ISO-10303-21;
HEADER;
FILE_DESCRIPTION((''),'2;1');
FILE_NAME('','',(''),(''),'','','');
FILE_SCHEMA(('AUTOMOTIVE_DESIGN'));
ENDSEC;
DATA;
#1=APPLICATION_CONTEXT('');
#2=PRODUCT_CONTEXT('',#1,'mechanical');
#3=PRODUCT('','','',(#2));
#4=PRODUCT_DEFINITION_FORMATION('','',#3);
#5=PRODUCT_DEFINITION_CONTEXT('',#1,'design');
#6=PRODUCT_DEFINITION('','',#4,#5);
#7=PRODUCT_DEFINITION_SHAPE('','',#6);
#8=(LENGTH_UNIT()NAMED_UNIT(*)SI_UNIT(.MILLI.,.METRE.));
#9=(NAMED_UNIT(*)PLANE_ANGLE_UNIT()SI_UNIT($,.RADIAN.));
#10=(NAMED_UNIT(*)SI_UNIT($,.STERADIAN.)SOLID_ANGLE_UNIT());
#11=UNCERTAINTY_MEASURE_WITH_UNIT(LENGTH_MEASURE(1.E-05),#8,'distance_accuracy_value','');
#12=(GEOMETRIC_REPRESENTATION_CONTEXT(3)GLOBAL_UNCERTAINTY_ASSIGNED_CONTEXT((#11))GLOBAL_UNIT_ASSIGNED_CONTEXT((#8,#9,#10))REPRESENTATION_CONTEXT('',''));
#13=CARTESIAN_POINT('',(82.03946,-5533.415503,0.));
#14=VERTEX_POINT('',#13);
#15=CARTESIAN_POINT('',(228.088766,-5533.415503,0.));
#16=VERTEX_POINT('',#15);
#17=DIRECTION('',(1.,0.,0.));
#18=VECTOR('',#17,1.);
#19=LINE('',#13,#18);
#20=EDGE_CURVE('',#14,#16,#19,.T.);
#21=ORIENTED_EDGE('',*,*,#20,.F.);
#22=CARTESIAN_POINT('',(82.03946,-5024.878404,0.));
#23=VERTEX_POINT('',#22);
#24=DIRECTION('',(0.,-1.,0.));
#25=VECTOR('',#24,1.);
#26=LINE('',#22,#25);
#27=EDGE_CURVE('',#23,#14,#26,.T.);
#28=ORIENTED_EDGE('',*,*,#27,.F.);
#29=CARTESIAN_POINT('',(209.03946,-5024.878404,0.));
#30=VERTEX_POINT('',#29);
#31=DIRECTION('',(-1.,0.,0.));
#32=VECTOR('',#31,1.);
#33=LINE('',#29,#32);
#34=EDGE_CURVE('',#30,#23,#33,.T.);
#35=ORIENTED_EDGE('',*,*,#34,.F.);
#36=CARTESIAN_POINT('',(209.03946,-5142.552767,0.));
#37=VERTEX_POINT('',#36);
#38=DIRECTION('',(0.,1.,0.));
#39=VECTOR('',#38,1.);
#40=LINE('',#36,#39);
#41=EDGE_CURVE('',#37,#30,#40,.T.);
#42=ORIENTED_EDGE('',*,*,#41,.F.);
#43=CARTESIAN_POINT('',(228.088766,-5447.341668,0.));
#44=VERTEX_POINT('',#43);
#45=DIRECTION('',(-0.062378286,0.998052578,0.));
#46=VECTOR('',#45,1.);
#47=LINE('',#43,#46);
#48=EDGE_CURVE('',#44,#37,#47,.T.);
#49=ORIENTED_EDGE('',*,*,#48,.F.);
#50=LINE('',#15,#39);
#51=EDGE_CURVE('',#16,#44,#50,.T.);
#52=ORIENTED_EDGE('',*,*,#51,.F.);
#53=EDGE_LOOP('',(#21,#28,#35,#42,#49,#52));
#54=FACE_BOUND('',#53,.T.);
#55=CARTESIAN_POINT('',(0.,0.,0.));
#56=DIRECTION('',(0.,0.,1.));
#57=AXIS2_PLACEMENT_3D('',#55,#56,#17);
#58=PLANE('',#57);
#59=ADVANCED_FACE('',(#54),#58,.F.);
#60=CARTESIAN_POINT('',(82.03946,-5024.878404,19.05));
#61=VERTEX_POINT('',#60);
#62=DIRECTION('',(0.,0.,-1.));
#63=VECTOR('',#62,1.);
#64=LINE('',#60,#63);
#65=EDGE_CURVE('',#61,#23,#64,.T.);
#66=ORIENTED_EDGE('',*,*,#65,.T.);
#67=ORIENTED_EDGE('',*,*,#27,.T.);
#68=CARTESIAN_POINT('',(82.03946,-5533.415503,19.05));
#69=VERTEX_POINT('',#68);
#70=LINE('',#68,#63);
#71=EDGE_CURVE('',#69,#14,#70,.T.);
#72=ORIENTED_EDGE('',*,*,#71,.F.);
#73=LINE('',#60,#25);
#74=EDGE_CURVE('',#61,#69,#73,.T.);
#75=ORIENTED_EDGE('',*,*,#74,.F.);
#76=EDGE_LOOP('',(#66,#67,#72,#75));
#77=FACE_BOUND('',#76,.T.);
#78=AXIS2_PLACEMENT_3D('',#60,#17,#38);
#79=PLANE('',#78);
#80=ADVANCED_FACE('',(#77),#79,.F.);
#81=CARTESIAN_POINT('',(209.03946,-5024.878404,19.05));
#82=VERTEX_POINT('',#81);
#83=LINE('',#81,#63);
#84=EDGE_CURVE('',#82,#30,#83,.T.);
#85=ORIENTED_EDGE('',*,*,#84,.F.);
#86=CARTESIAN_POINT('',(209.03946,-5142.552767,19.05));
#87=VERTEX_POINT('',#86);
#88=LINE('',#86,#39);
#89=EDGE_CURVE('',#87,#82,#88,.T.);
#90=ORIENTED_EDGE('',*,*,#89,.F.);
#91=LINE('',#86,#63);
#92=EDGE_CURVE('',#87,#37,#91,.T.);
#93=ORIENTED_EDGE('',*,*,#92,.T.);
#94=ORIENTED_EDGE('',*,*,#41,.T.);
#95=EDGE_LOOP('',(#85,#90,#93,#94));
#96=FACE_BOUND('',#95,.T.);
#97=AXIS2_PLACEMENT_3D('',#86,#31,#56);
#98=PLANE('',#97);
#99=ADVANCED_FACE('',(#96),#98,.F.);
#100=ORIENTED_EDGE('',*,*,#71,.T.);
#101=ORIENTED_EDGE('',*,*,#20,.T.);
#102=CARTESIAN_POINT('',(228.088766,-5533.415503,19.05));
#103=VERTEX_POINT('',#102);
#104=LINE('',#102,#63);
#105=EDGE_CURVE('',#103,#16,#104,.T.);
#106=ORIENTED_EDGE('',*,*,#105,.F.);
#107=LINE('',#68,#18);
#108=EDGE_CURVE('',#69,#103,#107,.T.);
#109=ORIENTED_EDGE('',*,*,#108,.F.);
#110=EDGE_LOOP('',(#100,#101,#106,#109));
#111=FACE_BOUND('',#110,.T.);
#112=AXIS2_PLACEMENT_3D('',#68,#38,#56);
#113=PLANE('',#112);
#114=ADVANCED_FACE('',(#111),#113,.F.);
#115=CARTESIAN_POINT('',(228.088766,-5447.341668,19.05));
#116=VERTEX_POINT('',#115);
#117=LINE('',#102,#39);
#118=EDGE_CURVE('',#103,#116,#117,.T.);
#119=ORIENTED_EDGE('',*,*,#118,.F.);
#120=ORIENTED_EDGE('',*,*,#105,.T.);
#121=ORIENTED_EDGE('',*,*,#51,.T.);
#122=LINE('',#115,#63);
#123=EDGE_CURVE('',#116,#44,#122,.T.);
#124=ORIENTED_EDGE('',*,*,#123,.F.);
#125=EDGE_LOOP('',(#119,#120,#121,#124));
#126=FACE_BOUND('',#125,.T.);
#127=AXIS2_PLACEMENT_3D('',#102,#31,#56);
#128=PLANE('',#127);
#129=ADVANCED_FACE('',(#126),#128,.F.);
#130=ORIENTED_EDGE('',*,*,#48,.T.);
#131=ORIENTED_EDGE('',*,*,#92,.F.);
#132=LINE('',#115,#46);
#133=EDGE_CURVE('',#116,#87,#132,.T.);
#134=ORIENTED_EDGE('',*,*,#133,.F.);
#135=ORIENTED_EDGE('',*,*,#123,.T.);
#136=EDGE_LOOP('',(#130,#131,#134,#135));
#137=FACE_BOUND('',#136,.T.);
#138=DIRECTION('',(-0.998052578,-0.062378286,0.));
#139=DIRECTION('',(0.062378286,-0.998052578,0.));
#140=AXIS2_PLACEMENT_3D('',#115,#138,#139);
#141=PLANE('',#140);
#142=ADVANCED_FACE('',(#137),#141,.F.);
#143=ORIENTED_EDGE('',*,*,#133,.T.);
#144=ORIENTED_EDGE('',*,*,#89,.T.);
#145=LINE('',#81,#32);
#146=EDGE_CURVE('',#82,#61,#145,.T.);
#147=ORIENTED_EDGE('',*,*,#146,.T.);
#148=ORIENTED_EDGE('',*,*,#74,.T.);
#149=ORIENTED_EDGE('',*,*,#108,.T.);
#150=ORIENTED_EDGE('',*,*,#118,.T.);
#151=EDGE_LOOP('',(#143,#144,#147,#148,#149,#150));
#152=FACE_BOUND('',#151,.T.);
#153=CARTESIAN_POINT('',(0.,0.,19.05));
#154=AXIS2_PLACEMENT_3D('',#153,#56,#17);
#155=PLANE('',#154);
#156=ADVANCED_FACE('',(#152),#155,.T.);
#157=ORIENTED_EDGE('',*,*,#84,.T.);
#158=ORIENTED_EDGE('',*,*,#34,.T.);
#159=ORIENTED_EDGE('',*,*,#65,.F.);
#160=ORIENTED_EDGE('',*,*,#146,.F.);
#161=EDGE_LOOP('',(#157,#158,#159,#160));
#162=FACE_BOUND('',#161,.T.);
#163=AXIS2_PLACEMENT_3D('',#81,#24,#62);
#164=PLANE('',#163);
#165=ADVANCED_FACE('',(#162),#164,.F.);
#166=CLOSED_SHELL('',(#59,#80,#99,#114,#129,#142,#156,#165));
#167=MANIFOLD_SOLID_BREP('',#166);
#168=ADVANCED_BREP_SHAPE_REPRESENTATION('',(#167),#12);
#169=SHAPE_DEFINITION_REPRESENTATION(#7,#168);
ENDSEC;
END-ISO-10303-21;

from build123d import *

# Parameters (mm, degrees)
BOSS_EXTRUDE1_DEPTH = 19.05


with BuildPart() as part:
    # Sketch1 → Boss-Extrude1 (new body)
    with BuildSketch(Plane.XY):
        Polygon((82.03946, -5024.878404071), (82.03946, -5533.415502988), (228.088766336, -5533.415502988), (228.088766336, -5447.34166837), (209.03946, -5142.552766987), (209.03946, -5024.878404071), align=None)
    extrude(amount=BOSS_EXTRUDE1_DEPTH)


solid = part.part
